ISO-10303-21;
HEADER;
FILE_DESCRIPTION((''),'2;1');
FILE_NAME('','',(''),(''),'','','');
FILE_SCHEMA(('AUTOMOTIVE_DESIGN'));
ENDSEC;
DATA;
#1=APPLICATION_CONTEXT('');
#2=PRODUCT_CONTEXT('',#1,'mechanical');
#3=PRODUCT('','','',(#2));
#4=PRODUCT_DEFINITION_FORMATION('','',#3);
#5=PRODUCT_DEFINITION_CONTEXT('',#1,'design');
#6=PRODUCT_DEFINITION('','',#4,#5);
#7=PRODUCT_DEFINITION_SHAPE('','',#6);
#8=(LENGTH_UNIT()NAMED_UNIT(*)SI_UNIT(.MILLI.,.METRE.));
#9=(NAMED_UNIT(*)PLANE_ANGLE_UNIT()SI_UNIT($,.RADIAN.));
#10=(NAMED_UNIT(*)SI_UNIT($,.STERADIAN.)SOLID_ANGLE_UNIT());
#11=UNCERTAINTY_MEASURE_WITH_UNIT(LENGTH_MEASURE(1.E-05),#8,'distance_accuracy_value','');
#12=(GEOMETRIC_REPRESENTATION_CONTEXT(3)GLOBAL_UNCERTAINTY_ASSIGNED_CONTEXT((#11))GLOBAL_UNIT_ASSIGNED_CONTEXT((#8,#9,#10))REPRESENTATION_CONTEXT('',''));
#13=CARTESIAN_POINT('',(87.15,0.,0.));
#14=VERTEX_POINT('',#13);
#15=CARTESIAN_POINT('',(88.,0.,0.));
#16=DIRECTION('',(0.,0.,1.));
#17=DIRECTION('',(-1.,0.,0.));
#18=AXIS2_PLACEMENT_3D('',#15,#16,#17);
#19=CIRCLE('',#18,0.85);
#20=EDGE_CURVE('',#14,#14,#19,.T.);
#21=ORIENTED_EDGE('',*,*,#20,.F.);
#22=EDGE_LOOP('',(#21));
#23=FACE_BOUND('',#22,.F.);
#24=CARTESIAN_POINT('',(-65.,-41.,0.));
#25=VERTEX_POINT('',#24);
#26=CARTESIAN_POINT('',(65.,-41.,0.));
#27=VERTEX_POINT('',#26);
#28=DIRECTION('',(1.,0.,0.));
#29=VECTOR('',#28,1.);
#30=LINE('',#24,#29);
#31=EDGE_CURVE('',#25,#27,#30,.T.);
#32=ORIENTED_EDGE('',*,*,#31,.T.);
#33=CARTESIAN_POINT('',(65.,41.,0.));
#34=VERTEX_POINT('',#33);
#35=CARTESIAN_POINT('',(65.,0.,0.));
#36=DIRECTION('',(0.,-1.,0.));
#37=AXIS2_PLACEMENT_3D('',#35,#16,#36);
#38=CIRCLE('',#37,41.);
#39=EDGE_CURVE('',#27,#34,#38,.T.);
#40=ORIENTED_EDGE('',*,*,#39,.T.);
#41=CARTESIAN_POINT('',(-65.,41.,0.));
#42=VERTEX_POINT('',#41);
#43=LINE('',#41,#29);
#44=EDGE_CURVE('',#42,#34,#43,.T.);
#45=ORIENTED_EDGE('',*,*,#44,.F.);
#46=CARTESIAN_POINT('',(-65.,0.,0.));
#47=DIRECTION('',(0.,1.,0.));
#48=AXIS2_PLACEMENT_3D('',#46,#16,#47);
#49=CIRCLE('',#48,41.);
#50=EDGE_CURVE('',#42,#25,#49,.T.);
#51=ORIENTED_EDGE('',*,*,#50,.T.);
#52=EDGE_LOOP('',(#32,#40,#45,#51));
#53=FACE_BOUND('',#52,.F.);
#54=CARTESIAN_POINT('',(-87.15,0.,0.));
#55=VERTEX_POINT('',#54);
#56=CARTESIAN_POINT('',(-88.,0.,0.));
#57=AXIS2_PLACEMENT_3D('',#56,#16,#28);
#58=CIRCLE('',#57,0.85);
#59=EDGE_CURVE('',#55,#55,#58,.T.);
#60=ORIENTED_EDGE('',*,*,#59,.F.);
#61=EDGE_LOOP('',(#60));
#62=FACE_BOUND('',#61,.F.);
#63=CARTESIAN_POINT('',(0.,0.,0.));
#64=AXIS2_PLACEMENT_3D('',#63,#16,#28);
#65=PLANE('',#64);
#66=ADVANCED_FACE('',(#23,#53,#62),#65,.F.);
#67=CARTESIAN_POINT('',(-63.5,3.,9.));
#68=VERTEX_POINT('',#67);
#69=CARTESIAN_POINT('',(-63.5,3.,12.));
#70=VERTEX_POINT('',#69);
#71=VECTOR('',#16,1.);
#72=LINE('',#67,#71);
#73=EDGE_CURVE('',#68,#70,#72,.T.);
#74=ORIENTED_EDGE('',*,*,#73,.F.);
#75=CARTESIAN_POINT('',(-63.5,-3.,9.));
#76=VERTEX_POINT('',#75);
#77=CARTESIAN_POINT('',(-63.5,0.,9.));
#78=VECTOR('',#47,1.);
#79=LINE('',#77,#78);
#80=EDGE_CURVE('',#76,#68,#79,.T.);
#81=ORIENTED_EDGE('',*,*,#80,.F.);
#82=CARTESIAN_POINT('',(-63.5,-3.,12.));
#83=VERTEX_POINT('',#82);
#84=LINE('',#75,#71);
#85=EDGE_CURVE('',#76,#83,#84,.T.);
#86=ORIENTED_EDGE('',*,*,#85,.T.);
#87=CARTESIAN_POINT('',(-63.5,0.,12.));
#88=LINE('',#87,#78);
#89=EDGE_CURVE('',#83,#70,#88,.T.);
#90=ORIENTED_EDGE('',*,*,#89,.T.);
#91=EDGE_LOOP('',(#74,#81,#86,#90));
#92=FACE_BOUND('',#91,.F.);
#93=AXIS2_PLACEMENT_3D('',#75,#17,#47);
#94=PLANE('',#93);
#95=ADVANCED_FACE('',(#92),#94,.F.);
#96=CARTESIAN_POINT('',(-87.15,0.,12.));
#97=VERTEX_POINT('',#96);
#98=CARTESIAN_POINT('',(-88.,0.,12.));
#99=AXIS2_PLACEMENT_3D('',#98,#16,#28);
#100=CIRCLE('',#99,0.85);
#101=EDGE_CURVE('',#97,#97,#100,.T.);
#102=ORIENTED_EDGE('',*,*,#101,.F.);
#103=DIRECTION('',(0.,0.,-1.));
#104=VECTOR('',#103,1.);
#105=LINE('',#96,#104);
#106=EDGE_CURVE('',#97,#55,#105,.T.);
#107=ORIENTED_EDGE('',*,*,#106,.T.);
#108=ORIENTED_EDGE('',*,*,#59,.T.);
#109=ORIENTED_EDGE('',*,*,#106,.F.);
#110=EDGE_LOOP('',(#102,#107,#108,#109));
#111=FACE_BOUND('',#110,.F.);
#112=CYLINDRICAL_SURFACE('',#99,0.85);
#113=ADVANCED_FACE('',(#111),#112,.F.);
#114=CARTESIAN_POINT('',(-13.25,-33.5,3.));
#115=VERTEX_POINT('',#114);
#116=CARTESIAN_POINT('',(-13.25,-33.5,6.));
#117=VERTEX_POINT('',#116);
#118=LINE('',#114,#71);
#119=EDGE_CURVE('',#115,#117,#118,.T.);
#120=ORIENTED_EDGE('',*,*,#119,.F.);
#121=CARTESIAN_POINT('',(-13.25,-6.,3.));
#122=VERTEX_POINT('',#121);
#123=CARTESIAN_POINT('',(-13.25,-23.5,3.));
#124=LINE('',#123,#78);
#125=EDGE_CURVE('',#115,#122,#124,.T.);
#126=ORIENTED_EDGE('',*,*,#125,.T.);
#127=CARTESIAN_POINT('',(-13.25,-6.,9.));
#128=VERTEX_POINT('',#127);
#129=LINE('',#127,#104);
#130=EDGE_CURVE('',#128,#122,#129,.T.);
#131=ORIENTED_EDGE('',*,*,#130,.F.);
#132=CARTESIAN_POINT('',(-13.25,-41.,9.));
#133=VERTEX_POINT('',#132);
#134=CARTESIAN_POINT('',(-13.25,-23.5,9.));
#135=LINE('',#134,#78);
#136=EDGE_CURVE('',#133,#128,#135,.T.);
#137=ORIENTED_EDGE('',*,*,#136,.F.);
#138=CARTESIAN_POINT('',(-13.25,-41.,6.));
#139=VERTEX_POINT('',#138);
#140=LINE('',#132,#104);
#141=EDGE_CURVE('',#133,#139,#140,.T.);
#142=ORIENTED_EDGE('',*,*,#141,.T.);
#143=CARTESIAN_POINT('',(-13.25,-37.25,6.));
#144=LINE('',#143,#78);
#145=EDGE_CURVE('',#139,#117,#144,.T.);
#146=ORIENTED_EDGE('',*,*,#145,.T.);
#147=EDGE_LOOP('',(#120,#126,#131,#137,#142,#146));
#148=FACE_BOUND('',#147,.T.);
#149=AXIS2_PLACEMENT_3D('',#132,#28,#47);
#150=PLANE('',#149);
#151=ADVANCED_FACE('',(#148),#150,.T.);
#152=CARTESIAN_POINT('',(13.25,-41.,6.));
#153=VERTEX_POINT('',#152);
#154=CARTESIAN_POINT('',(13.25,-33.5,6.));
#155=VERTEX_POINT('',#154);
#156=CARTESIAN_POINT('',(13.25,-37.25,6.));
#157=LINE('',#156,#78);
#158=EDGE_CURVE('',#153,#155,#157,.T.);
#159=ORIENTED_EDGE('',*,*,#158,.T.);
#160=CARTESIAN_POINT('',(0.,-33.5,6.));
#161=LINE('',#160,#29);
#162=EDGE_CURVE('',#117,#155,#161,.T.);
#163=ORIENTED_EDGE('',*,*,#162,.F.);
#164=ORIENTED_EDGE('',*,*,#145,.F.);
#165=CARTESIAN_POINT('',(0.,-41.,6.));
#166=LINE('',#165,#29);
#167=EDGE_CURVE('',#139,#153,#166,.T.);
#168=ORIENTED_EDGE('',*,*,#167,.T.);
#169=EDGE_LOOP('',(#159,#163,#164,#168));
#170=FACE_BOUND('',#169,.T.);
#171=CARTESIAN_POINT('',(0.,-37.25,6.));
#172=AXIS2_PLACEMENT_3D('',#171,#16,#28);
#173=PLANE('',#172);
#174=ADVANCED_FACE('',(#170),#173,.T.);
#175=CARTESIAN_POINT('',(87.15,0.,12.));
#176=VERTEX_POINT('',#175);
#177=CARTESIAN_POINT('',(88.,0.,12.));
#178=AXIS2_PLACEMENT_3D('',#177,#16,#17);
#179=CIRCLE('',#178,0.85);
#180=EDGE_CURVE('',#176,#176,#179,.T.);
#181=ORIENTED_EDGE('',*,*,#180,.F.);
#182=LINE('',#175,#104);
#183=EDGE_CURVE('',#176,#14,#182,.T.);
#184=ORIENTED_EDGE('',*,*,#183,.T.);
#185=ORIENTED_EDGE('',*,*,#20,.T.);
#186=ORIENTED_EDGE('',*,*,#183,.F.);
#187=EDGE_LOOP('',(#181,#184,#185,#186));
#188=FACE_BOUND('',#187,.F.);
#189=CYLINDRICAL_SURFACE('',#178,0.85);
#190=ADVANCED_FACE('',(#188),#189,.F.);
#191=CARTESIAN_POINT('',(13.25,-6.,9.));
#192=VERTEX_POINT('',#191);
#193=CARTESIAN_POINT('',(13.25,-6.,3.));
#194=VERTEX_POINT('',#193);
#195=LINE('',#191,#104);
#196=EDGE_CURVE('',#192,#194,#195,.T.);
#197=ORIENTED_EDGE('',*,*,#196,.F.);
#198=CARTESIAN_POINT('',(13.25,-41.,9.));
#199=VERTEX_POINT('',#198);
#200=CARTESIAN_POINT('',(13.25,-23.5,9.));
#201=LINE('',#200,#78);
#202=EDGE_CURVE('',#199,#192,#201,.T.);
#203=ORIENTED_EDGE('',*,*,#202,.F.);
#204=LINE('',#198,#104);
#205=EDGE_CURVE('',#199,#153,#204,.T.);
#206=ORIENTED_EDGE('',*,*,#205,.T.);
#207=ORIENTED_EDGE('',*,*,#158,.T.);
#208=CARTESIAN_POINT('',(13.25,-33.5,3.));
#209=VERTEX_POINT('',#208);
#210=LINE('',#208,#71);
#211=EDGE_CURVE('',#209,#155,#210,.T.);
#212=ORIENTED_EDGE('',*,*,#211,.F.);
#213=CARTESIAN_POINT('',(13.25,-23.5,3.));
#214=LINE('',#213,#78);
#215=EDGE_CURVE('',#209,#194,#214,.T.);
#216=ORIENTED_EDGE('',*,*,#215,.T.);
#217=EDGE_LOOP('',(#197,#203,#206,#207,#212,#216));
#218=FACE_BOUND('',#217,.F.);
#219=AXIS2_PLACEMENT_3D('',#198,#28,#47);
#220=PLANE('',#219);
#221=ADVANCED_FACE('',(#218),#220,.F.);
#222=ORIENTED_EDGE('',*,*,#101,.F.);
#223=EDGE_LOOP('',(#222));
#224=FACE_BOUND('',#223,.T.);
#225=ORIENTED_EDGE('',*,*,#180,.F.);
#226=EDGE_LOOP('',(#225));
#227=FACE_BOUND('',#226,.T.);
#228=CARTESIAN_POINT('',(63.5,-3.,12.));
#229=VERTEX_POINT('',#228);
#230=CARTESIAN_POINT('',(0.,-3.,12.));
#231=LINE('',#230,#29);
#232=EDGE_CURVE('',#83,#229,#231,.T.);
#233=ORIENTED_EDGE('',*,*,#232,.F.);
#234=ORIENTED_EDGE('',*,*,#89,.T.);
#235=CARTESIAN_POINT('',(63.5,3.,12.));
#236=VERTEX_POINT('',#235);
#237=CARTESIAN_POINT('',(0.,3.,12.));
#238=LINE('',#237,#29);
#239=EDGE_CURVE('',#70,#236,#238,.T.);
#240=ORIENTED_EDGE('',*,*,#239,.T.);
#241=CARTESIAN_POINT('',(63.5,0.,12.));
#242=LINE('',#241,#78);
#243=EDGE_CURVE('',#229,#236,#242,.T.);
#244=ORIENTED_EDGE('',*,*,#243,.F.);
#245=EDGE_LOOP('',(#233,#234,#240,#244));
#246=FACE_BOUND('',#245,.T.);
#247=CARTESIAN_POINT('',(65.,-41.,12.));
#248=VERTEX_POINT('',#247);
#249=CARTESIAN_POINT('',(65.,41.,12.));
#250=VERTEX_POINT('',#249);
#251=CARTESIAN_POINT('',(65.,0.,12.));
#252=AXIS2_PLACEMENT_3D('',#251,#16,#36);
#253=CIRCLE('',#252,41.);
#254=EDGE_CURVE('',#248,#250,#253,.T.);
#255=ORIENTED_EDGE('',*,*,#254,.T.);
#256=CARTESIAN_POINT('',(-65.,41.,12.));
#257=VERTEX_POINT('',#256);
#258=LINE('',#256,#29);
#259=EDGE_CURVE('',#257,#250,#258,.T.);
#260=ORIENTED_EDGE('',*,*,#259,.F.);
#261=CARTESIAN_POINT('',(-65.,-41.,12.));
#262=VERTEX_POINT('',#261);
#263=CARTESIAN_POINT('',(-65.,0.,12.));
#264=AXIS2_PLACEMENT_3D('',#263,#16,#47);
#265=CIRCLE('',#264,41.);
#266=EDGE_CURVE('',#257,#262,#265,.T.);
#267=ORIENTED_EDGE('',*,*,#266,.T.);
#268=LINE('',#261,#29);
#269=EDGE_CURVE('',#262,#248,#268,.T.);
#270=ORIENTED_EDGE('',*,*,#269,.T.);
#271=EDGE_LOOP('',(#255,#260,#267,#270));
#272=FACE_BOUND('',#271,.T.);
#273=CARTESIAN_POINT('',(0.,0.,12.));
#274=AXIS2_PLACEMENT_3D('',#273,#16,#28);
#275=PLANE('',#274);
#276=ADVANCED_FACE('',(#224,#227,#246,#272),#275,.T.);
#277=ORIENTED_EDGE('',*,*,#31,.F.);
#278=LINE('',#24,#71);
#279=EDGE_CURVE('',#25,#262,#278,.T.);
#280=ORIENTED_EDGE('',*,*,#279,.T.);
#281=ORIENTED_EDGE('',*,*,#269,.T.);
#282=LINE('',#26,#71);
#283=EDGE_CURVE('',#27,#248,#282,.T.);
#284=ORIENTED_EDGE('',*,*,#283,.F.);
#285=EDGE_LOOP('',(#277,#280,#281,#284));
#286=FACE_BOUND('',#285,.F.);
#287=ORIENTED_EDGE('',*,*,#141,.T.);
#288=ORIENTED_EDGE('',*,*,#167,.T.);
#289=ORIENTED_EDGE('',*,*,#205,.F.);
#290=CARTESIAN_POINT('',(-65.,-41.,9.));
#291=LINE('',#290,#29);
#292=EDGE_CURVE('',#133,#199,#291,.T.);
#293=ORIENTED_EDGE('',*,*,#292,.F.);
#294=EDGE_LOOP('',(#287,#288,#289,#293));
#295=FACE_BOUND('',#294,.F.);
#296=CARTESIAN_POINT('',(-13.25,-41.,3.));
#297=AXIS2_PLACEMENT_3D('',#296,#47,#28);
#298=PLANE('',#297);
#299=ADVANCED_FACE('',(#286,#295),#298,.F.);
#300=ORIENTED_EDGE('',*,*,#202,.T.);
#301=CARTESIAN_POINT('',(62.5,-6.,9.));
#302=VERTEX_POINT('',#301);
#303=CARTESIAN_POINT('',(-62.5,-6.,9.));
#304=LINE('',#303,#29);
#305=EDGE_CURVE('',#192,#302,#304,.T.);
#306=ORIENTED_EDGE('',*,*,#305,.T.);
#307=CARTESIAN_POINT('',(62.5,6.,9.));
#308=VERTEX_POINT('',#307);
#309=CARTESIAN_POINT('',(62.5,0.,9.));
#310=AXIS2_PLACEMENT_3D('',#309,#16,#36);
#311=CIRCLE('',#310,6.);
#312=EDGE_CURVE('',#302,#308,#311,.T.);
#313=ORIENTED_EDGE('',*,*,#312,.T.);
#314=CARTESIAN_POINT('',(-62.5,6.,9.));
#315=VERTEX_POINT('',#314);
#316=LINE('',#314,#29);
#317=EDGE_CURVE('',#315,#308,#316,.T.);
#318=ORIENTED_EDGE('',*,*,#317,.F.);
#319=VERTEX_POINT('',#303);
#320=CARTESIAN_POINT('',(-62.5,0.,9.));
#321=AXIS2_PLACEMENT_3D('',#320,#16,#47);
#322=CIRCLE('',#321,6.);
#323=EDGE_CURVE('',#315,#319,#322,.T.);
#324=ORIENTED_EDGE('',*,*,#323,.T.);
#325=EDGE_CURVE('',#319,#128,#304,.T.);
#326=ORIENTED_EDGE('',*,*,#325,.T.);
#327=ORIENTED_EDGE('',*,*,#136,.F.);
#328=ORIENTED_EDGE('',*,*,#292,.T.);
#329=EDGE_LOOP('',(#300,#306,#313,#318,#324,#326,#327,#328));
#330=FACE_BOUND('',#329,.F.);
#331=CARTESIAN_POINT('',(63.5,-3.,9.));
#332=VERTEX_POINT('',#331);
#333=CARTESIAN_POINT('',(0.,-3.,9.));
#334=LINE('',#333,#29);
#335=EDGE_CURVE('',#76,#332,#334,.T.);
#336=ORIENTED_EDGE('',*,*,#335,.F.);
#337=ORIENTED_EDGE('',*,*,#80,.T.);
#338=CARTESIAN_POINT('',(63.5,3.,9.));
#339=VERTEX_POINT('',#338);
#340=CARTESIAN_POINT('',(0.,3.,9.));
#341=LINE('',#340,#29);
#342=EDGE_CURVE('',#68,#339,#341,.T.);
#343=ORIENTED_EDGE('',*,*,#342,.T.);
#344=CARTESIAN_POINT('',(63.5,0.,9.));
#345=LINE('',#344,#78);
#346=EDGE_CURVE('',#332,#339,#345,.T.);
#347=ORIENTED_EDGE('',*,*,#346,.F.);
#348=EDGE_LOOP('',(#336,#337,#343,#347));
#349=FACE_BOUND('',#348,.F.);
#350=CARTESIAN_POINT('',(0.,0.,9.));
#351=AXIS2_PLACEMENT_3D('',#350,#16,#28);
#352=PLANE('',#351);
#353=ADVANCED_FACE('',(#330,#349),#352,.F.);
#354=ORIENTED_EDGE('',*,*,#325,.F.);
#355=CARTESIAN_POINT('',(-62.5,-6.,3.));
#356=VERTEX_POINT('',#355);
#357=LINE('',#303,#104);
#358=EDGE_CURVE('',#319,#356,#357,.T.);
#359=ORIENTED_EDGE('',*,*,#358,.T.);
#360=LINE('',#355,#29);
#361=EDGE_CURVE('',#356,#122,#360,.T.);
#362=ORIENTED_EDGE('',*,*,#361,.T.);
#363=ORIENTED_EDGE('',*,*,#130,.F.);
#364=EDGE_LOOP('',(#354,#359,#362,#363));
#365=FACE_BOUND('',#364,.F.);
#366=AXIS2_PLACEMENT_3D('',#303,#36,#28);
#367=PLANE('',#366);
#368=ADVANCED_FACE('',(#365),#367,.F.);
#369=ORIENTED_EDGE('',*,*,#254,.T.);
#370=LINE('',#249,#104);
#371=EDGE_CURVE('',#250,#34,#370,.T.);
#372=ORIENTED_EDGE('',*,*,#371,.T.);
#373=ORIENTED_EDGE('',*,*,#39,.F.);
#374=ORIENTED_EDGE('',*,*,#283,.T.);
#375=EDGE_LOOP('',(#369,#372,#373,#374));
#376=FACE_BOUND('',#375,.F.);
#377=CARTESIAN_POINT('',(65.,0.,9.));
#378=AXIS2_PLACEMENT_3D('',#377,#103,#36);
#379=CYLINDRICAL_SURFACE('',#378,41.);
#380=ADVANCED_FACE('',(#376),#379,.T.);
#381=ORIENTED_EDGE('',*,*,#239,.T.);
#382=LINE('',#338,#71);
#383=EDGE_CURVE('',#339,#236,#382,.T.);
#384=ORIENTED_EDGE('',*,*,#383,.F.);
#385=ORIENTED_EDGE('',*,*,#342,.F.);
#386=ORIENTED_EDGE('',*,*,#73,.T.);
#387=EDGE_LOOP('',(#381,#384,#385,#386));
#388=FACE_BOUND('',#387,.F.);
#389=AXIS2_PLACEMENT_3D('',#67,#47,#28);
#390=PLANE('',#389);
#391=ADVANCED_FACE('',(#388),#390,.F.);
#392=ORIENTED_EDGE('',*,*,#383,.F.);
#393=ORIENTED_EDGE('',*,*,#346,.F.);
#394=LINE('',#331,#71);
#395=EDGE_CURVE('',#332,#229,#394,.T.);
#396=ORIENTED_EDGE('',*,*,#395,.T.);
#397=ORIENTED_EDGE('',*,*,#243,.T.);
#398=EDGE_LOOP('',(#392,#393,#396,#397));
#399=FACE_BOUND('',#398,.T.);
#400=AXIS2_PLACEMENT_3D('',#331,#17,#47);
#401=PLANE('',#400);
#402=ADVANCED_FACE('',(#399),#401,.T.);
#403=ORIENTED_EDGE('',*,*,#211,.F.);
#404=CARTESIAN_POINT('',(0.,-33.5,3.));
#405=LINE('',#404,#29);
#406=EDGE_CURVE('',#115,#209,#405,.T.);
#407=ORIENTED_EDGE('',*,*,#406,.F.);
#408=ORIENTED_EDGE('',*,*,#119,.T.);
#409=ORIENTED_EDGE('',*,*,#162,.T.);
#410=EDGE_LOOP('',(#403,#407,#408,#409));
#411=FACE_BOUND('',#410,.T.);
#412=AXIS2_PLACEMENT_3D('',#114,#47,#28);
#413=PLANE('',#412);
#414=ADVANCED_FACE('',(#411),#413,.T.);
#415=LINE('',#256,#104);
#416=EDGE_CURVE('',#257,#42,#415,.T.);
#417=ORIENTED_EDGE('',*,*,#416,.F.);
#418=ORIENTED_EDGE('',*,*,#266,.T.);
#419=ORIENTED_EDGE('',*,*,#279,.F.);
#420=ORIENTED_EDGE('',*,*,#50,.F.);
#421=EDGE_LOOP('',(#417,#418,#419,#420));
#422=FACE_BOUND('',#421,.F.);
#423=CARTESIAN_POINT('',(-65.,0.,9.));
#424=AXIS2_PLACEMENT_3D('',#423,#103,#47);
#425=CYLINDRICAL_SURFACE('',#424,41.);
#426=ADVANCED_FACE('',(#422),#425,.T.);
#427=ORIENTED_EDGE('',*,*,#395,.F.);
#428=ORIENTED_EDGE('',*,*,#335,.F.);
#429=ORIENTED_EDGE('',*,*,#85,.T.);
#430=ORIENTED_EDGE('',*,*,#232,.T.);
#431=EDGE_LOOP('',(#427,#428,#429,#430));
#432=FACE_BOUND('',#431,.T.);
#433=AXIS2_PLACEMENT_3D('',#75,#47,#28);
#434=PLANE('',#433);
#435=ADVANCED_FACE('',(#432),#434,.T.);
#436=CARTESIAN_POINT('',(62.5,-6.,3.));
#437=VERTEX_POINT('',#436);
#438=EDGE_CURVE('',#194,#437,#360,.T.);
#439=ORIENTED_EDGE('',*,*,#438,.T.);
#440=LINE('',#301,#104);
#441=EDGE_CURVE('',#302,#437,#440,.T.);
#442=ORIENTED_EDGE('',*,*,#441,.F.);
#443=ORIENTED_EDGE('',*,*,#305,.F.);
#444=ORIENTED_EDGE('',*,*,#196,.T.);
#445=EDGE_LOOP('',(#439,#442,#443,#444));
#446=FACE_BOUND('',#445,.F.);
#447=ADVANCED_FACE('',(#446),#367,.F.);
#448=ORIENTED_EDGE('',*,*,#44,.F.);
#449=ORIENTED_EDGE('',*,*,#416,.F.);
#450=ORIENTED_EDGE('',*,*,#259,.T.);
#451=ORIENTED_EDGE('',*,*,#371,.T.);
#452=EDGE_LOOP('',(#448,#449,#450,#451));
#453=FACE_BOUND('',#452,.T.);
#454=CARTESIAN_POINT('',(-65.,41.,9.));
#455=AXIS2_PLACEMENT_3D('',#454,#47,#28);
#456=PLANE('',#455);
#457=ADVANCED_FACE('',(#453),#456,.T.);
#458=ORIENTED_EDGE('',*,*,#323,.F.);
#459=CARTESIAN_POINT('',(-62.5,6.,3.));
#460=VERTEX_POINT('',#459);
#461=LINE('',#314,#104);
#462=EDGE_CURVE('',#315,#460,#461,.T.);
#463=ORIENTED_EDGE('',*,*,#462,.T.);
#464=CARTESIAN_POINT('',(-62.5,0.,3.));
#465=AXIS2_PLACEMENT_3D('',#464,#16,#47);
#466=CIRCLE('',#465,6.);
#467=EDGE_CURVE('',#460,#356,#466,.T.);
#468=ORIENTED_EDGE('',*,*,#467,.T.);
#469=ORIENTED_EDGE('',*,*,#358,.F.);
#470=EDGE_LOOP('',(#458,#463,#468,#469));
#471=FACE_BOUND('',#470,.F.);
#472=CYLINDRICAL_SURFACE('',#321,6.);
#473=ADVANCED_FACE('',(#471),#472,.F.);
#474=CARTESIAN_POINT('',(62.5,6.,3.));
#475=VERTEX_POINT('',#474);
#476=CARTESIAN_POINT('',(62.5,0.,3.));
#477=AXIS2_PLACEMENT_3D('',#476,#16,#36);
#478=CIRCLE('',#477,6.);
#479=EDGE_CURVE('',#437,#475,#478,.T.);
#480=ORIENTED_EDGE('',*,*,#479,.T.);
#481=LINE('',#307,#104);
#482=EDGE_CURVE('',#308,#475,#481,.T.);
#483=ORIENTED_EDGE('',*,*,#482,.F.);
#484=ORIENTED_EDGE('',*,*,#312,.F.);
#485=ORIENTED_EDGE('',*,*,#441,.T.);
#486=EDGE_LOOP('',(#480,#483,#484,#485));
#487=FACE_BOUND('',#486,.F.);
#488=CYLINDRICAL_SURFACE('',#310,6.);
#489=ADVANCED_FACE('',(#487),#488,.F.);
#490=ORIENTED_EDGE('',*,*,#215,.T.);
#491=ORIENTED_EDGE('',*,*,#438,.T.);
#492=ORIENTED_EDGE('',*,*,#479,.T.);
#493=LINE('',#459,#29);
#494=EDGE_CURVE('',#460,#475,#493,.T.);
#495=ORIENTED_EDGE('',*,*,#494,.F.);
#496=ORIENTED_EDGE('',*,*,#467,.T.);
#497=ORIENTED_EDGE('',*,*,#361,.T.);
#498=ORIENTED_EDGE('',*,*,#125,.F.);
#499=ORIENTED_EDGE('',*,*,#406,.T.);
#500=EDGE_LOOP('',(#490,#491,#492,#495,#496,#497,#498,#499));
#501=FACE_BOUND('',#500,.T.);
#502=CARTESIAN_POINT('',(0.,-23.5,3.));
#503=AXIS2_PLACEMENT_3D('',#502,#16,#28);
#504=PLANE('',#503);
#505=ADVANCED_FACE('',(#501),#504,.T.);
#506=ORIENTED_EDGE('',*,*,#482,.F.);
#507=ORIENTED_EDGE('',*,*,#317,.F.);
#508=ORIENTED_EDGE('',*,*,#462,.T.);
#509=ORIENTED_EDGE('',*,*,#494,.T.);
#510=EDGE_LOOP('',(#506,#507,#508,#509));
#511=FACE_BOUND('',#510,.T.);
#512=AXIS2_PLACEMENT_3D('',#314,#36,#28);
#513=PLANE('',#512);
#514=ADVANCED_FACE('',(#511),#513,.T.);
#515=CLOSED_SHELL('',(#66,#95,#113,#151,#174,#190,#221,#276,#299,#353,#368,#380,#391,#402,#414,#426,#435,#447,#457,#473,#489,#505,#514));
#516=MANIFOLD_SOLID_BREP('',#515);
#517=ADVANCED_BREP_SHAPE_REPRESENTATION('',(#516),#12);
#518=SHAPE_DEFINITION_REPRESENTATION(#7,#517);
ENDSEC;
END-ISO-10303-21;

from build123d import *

# Parameters (mm, degrees)
PAD_DEPTH          = 9
POCKET_DEPTH       = 6
SKETCH002_W        = 26.5
SKETCH002_H        = 35
POCKET001_DEPTH    = 6
SKETCH003_W        = 127
SKETCH003_H        = 6
PAD001_DEPTH       = 3
SKETCH004_R        = 0.85
POCKET002_DEPTH    = 467.245989
POLARPATTERN_COUNT = 2
SKETCH005_W        = 26.5
SKETCH005_H        = 7.5
PAD002_DEPTH       = 3


with BuildPart() as part:
    # Sketch → Pad (new body)
    with BuildSketch(Plane.XY):
        with BuildLine():
            ThreePointArc((-65, 41), (-106, 0), (-65, -41))
            Line((-65, -41), (65, -41))
            ThreePointArc((65, -41), (106, 0), (65, 41))
            Line((-65, 41), (65, 41))
        make_face()
    extrude(amount=PAD_DEPTH)

    # Sketch001 (on Face6 of Pad) → Pocket (cut)
    with BuildSketch(Plane.XY.offset(9)):
        with BuildLine():
            ThreePointArc((-62.5, 6), (-68.5, 0), (-62.5, -6))
            Line((-62.5, -6), (62.5, -6))
            ThreePointArc((62.5, -6), (68.5, 0), (62.5, 6))
            Line((-62.5, 6), (62.5, 6))
        make_face()
    extrude(amount=-POCKET_DEPTH, mode=Mode.SUBTRACT)

    # Sketch002 (on Face5 of Pocket) → Pocket001 (cut)
    with BuildSketch(Plane.XY.offset(9)):
        with Locations((0, -23.5)):
            Rectangle(SKETCH002_W, SKETCH002_H)
    extrude(amount=-POCKET001_DEPTH, mode=Mode.SUBTRACT)

    # Sketch003 (on Face5 of Pocket001) → Pad001 (join)
    with BuildSketch(Plane.XY.offset(9)):
        with BuildLine():
            ThreePointArc((-65, 41), (-106, 0), (-65, -41))
            Line((-65, -41), (65, -41))
            ThreePointArc((65, -41), (106, 0), (65, 41))
            Line((-65, 41), (65, 41))
        make_face()
        Rectangle(SKETCH003_W, SKETCH003_H, mode=Mode.SUBTRACT)
    extrude(amount=PAD001_DEPTH)

    # Sketch004 (on Face12 of Pad001) → Pocket002 (cut, through all)
    with BuildSketch(Plane.XY.offset(12)):
        with Locations((-88, 0)):
            Circle(SKETCH004_R)
    pocket002 = extrude(amount=-POCKET002_DEPTH, mode=Mode.SUBTRACT)

    # PolarPattern: Pocket002 ×2 about axis
    polarpattern_axis = Axis((0, 0, 12), (0, 0, 1))
    for i in range(1, POLARPATTERN_COUNT):
        add(pocket002.rotate(polarpattern_axis, i * 360 / POLARPATTERN_COUNT), mode=Mode.SUBTRACT)

    # Sketch005 (on Face10 of PolarPattern) → Pad002 (join)
    with BuildSketch(Plane.XY.offset(3)):
        with Locations((0, -37.25)):
            Rectangle(SKETCH005_W, SKETCH005_H)
    extrude(amount=PAD002_DEPTH)


solid = part.part
